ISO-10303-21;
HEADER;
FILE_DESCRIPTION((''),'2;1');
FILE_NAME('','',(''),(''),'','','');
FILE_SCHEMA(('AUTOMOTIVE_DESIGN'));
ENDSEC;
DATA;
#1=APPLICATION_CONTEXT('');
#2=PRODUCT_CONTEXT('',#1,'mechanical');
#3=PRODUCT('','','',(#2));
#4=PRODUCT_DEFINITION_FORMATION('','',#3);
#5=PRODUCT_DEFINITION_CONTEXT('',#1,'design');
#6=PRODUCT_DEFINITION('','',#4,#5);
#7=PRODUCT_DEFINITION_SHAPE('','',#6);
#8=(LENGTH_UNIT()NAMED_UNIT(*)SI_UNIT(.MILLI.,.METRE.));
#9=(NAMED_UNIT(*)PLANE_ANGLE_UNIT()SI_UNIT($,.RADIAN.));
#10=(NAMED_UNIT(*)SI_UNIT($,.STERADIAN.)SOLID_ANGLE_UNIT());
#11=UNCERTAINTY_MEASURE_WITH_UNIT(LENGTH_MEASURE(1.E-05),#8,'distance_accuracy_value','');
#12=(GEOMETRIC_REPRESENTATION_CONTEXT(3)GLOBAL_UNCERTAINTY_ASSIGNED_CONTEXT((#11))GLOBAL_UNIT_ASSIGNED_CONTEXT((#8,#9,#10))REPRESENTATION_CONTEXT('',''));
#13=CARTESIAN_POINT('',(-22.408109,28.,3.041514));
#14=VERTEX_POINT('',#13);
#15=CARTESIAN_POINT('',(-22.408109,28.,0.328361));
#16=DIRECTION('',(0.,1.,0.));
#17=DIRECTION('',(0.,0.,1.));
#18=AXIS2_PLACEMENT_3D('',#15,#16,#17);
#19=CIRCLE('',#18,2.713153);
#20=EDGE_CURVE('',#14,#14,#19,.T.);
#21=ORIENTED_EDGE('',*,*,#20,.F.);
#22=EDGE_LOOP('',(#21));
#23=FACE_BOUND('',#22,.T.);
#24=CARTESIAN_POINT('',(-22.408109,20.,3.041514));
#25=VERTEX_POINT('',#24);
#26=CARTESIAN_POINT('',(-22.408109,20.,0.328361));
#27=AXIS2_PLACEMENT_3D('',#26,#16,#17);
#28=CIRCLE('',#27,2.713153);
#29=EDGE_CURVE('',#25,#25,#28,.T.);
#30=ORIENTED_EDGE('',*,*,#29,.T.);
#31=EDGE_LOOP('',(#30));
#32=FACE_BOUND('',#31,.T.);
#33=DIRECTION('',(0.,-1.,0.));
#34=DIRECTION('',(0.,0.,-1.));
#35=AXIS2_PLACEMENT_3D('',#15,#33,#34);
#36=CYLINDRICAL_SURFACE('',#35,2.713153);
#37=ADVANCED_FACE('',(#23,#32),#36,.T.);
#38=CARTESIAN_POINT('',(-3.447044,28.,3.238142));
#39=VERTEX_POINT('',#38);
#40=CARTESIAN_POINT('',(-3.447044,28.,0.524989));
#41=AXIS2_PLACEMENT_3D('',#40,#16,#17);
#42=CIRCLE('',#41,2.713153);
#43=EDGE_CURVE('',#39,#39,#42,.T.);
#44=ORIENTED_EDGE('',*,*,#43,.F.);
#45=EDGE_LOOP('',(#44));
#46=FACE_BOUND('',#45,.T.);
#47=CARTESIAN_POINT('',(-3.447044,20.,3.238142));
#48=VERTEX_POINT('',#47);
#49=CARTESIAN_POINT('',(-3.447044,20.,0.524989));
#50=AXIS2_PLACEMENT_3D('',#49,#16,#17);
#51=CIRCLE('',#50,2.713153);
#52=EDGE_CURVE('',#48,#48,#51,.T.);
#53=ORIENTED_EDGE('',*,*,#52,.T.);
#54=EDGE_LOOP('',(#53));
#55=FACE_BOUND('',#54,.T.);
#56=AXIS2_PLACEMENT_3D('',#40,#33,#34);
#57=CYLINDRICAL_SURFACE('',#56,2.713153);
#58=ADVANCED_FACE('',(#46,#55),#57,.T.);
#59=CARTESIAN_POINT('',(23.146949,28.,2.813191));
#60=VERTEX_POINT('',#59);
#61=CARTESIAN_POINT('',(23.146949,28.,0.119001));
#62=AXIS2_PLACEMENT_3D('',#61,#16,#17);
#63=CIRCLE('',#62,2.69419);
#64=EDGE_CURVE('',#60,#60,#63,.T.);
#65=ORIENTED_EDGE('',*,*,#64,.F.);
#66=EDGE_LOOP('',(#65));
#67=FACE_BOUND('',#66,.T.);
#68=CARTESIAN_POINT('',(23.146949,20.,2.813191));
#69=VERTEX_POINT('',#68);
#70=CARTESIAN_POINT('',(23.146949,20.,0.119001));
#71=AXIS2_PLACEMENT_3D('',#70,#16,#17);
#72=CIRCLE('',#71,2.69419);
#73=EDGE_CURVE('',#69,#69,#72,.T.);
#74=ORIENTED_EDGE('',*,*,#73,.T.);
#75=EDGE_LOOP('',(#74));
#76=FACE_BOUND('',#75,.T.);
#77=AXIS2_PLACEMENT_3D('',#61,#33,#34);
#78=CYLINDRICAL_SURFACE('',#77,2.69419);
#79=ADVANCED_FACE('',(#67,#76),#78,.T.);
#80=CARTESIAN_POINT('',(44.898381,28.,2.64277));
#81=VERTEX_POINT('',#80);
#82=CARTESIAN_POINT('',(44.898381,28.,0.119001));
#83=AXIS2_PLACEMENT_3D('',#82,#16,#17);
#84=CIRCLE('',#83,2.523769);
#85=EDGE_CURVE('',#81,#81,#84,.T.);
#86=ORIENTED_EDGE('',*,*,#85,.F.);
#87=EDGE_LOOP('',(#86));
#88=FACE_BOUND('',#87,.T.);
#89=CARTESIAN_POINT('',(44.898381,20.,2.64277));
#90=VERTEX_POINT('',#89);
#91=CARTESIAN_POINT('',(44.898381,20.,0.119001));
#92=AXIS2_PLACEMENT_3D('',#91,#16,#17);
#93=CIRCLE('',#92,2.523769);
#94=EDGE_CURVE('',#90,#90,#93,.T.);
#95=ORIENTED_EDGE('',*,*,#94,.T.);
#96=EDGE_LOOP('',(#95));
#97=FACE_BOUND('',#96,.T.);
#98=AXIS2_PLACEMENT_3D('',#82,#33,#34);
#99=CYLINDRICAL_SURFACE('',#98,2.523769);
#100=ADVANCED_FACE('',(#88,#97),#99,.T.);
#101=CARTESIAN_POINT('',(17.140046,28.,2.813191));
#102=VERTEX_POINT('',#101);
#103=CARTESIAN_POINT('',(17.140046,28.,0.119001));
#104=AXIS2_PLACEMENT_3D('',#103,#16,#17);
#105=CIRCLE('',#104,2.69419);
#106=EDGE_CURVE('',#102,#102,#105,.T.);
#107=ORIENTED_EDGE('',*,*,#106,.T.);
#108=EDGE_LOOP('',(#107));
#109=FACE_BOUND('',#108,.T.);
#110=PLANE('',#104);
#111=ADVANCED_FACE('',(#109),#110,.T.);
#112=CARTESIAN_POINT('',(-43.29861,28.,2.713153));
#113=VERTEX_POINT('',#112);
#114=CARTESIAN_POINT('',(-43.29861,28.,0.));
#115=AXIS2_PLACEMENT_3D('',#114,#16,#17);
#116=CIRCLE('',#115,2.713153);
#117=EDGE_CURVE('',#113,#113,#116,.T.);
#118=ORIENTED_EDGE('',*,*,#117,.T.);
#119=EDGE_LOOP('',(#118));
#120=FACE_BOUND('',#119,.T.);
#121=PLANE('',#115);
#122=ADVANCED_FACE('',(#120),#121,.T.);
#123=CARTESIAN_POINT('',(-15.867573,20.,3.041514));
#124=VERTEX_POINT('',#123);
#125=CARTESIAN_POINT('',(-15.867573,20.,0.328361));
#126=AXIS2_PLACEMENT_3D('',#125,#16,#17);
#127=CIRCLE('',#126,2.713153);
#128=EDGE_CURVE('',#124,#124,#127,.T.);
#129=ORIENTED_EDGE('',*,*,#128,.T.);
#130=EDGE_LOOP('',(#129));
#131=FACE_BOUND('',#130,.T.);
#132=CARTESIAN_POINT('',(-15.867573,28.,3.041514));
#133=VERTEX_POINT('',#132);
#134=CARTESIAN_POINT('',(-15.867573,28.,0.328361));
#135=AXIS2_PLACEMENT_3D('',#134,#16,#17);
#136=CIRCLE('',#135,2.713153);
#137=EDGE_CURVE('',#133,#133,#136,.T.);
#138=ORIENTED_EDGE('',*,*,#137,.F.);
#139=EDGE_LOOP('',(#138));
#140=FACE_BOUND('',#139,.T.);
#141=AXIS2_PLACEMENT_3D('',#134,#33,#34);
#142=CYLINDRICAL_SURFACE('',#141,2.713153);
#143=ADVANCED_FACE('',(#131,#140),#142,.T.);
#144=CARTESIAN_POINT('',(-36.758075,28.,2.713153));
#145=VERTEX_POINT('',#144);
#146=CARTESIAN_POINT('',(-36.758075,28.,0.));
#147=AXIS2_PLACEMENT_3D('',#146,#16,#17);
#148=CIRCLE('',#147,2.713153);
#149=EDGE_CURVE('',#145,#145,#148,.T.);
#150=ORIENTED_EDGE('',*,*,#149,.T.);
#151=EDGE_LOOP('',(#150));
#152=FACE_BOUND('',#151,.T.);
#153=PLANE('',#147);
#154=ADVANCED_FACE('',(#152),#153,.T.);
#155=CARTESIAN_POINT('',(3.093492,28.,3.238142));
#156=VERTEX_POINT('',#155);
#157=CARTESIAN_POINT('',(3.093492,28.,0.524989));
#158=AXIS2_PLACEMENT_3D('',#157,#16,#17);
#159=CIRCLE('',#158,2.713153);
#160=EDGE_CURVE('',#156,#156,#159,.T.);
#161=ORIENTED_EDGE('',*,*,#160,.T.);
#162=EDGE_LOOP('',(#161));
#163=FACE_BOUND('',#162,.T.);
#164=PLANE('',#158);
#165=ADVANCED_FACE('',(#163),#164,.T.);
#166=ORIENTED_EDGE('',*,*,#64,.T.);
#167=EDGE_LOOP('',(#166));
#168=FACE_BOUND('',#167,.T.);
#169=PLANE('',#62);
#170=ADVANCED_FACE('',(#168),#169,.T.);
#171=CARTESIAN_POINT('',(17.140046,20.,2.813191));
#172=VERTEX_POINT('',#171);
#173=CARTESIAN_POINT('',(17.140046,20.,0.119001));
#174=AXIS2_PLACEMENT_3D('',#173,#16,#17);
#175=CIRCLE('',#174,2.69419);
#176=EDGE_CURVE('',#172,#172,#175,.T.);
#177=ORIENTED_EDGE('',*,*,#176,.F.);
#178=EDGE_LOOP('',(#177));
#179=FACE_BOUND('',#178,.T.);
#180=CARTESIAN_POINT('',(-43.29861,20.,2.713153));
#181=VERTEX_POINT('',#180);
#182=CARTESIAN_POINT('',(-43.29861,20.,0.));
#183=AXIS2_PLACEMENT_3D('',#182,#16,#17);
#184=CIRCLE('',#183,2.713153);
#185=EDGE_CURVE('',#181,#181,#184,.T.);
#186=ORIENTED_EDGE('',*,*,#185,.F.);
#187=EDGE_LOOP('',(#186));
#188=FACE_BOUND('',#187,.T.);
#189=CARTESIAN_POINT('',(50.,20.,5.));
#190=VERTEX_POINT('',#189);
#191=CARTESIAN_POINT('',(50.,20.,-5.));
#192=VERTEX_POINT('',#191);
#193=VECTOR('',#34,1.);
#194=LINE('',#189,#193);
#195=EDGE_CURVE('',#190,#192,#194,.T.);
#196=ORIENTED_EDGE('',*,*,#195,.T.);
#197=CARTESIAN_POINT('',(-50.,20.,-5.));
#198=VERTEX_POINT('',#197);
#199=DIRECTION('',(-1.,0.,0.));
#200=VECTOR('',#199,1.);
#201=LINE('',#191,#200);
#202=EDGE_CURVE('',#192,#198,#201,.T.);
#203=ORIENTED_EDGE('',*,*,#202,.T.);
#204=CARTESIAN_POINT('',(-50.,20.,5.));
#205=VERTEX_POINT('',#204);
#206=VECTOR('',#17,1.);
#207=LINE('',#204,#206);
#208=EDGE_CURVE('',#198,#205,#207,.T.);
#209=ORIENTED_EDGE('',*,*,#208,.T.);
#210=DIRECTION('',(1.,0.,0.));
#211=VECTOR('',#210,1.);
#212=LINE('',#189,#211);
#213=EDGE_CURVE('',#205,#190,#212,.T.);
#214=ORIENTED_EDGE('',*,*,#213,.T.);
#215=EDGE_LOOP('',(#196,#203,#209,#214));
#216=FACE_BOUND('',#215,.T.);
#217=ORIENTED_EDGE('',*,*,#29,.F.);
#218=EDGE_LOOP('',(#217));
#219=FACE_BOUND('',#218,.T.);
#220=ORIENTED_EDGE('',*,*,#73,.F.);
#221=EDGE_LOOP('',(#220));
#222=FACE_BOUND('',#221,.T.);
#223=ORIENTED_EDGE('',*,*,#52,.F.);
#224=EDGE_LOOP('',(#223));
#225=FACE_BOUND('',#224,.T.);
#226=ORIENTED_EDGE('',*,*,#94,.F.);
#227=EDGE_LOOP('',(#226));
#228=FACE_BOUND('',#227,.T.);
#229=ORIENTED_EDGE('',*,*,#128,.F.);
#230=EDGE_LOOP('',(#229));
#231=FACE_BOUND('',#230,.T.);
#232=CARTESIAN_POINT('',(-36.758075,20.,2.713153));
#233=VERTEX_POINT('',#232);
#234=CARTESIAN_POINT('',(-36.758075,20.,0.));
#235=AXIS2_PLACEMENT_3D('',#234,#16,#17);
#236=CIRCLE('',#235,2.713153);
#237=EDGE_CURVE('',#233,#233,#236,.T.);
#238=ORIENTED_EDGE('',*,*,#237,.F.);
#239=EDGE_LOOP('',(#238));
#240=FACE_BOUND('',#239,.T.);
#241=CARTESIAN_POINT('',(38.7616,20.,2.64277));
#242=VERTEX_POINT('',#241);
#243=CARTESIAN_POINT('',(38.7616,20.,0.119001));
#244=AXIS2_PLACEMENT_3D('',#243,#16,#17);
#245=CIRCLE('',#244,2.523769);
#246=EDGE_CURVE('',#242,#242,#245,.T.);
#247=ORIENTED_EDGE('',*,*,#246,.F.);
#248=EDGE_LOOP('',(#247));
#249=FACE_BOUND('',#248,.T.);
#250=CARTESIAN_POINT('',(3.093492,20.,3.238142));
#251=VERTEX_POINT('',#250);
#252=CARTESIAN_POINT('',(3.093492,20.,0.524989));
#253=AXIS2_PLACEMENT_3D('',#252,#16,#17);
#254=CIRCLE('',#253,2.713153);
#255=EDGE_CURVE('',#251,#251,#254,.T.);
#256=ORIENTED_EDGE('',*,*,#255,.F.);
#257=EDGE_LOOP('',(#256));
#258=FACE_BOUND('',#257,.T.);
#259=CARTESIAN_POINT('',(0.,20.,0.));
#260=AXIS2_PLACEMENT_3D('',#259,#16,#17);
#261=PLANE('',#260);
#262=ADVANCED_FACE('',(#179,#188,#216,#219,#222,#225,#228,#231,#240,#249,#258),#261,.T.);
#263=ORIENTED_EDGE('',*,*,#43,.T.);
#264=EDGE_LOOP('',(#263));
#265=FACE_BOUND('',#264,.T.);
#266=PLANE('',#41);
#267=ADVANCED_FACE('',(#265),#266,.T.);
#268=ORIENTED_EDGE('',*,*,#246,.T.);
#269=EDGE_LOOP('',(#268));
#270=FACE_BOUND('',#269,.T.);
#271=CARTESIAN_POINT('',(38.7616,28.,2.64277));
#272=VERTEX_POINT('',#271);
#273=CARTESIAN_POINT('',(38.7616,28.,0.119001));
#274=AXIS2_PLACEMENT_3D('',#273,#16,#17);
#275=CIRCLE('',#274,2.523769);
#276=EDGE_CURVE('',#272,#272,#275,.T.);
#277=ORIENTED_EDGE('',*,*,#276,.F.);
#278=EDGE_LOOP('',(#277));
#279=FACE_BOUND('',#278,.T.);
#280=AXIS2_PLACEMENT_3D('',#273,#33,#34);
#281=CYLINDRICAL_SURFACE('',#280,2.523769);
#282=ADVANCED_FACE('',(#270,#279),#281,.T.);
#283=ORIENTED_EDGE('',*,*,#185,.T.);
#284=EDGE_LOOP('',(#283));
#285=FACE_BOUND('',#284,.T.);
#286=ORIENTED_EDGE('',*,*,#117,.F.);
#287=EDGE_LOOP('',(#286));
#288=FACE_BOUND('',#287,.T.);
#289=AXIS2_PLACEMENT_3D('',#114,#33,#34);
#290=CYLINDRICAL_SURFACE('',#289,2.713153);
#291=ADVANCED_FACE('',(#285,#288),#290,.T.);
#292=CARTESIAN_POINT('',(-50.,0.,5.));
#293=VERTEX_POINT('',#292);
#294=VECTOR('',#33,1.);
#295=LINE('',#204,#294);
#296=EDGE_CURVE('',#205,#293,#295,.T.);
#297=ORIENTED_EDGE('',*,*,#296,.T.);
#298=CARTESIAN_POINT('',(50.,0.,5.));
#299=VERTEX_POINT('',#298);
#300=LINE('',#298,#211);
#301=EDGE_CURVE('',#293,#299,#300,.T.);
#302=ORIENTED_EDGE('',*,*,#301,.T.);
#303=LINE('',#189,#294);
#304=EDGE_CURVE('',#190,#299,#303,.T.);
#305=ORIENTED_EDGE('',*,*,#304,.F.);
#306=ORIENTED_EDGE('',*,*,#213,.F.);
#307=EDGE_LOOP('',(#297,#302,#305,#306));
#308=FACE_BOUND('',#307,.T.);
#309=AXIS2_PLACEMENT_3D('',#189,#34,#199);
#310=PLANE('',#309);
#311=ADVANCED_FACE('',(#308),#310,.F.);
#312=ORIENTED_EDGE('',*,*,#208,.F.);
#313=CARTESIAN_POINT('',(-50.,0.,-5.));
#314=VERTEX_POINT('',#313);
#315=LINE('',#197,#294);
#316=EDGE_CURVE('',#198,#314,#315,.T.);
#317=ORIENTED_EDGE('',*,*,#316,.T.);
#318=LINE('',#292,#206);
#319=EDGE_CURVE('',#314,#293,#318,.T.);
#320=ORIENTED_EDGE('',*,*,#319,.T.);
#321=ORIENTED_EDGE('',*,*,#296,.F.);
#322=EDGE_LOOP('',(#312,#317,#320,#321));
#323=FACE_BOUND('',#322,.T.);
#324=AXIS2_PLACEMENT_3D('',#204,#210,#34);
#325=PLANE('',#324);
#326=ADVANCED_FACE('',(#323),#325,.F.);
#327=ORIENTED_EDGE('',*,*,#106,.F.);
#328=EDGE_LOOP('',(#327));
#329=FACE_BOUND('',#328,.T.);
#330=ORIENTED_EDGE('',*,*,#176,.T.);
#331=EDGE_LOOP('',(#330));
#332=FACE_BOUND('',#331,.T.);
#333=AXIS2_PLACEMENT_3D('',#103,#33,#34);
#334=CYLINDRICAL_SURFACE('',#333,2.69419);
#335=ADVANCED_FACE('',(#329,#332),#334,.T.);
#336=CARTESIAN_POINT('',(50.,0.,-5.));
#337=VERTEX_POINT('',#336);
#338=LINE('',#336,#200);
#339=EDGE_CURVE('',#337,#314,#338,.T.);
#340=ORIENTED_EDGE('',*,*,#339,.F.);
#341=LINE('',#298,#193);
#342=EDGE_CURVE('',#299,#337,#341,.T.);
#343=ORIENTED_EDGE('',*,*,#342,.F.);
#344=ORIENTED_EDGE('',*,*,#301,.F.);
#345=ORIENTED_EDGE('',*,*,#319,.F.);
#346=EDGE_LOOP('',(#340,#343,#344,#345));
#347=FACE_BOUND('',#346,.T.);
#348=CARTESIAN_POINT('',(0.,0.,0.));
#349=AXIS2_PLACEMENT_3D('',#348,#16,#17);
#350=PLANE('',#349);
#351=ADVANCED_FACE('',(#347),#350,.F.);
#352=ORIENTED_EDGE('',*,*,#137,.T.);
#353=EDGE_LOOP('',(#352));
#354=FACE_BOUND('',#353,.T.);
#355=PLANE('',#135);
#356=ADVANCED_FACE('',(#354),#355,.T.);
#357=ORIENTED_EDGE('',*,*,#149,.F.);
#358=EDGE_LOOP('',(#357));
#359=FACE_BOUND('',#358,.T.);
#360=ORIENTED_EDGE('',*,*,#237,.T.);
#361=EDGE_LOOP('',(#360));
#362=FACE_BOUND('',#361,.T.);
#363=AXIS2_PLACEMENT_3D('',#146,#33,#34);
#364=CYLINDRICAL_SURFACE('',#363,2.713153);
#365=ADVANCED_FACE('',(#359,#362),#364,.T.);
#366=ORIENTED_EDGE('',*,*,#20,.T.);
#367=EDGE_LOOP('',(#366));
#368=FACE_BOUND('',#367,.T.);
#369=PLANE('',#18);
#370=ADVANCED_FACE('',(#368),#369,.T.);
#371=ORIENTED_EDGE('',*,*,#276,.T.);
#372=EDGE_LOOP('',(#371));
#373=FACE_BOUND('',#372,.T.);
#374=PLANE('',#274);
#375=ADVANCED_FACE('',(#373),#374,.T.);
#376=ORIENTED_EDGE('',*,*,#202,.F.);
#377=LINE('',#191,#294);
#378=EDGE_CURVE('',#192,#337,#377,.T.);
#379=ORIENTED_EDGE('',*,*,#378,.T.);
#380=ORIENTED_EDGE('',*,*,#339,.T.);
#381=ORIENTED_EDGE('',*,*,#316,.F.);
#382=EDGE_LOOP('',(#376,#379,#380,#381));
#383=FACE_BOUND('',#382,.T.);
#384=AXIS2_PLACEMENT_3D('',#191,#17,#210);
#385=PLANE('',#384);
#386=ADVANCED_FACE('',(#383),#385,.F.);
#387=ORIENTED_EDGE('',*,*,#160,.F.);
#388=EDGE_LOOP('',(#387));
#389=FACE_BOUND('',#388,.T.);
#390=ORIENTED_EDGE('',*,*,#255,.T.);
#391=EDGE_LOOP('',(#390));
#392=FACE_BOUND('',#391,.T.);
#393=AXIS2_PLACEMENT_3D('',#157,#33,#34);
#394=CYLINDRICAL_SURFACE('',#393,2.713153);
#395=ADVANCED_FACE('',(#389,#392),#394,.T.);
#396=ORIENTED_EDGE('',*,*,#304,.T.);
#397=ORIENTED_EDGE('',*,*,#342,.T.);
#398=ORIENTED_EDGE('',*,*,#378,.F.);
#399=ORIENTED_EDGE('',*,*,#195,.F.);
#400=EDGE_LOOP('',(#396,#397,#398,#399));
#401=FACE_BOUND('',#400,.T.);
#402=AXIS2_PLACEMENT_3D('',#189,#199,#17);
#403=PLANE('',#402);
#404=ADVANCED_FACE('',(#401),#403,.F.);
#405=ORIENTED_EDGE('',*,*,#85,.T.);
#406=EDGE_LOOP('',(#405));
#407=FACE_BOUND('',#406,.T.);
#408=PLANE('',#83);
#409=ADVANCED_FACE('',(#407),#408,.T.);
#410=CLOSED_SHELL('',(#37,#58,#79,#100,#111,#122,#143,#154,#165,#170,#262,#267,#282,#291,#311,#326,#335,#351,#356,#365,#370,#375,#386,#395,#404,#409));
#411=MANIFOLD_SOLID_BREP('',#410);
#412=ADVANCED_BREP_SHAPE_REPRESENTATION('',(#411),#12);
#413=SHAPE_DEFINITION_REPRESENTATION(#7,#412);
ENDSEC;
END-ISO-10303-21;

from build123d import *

# Parameters (mm, degrees)
SKETCH1_W           = 100
SKETCH1_H           = 10
BOSS_EXTRUDE1_DEPTH = 20
SKETCH2_R           = 2.713153407
SKETCH2_R_2         = 2.694189889
SKETCH2_R_3         = 2.523769014
BOSS_EXTRUDE2_DEPTH = 8


with BuildPart() as part:
    # Sketch1 → Boss-Extrude1 (new body)
    with BuildSketch(Plane(origin=(0, 0, 0), x_dir=(1, 0, 0), z_dir=(0, 1, 0))):
        Rectangle(SKETCH1_W, SKETCH1_H)
    extrude(amount=BOSS_EXTRUDE1_DEPTH)

    # Sketch2 → Boss-Extrude2 (add)
    with BuildSketch(Plane(origin=(0, 20, 0), x_dir=(1, 0, 0), z_dir=(0, 1, 0))):
        with Locations(Location((-43.29861016, 0, 0), (0, 0, 270))):
            Circle(SKETCH2_R)
        with Locations(Location((-36.758074643, 0, 0), (0, 0, 270))):
            Circle(SKETCH2_R)
        with Locations(Location((-22.408108815, -0.328361024, 0), (0, 0, 270))):
            Circle(SKETCH2_R)
        with Locations(Location((-15.867573299, -0.328361024, 0), (0, 0, 270))):
            Circle(SKETCH2_R)
        with Locations(Location((17.140046294, -0.119001471, 0), (0, 0, 270))):
            Circle(SKETCH2_R_2)
        with Locations(Location((23.146948699, -0.119001471, 0), (0, 0, 270))):
            Circle(SKETCH2_R_2)
        with Locations(Location((38.761600382, -0.119001471, 0), (0, 0, 270))):
            Circle(SKETCH2_R_3)
        with Locations(Location((44.898381169, -0.119001471, 0), (0, 0, 270))):
            Circle(SKETCH2_R_3)
        with Locations(Location((-3.447043883, -0.524988506, 0), (0, 0, 270))):
            Circle(SKETCH2_R)
        with Locations(Location((3.093491634, -0.524988506, 0), (0, 0, 270))):
            Circle(SKETCH2_R)
    extrude(amount=BOSS_EXTRUDE2_DEPTH)


solid = part.part
